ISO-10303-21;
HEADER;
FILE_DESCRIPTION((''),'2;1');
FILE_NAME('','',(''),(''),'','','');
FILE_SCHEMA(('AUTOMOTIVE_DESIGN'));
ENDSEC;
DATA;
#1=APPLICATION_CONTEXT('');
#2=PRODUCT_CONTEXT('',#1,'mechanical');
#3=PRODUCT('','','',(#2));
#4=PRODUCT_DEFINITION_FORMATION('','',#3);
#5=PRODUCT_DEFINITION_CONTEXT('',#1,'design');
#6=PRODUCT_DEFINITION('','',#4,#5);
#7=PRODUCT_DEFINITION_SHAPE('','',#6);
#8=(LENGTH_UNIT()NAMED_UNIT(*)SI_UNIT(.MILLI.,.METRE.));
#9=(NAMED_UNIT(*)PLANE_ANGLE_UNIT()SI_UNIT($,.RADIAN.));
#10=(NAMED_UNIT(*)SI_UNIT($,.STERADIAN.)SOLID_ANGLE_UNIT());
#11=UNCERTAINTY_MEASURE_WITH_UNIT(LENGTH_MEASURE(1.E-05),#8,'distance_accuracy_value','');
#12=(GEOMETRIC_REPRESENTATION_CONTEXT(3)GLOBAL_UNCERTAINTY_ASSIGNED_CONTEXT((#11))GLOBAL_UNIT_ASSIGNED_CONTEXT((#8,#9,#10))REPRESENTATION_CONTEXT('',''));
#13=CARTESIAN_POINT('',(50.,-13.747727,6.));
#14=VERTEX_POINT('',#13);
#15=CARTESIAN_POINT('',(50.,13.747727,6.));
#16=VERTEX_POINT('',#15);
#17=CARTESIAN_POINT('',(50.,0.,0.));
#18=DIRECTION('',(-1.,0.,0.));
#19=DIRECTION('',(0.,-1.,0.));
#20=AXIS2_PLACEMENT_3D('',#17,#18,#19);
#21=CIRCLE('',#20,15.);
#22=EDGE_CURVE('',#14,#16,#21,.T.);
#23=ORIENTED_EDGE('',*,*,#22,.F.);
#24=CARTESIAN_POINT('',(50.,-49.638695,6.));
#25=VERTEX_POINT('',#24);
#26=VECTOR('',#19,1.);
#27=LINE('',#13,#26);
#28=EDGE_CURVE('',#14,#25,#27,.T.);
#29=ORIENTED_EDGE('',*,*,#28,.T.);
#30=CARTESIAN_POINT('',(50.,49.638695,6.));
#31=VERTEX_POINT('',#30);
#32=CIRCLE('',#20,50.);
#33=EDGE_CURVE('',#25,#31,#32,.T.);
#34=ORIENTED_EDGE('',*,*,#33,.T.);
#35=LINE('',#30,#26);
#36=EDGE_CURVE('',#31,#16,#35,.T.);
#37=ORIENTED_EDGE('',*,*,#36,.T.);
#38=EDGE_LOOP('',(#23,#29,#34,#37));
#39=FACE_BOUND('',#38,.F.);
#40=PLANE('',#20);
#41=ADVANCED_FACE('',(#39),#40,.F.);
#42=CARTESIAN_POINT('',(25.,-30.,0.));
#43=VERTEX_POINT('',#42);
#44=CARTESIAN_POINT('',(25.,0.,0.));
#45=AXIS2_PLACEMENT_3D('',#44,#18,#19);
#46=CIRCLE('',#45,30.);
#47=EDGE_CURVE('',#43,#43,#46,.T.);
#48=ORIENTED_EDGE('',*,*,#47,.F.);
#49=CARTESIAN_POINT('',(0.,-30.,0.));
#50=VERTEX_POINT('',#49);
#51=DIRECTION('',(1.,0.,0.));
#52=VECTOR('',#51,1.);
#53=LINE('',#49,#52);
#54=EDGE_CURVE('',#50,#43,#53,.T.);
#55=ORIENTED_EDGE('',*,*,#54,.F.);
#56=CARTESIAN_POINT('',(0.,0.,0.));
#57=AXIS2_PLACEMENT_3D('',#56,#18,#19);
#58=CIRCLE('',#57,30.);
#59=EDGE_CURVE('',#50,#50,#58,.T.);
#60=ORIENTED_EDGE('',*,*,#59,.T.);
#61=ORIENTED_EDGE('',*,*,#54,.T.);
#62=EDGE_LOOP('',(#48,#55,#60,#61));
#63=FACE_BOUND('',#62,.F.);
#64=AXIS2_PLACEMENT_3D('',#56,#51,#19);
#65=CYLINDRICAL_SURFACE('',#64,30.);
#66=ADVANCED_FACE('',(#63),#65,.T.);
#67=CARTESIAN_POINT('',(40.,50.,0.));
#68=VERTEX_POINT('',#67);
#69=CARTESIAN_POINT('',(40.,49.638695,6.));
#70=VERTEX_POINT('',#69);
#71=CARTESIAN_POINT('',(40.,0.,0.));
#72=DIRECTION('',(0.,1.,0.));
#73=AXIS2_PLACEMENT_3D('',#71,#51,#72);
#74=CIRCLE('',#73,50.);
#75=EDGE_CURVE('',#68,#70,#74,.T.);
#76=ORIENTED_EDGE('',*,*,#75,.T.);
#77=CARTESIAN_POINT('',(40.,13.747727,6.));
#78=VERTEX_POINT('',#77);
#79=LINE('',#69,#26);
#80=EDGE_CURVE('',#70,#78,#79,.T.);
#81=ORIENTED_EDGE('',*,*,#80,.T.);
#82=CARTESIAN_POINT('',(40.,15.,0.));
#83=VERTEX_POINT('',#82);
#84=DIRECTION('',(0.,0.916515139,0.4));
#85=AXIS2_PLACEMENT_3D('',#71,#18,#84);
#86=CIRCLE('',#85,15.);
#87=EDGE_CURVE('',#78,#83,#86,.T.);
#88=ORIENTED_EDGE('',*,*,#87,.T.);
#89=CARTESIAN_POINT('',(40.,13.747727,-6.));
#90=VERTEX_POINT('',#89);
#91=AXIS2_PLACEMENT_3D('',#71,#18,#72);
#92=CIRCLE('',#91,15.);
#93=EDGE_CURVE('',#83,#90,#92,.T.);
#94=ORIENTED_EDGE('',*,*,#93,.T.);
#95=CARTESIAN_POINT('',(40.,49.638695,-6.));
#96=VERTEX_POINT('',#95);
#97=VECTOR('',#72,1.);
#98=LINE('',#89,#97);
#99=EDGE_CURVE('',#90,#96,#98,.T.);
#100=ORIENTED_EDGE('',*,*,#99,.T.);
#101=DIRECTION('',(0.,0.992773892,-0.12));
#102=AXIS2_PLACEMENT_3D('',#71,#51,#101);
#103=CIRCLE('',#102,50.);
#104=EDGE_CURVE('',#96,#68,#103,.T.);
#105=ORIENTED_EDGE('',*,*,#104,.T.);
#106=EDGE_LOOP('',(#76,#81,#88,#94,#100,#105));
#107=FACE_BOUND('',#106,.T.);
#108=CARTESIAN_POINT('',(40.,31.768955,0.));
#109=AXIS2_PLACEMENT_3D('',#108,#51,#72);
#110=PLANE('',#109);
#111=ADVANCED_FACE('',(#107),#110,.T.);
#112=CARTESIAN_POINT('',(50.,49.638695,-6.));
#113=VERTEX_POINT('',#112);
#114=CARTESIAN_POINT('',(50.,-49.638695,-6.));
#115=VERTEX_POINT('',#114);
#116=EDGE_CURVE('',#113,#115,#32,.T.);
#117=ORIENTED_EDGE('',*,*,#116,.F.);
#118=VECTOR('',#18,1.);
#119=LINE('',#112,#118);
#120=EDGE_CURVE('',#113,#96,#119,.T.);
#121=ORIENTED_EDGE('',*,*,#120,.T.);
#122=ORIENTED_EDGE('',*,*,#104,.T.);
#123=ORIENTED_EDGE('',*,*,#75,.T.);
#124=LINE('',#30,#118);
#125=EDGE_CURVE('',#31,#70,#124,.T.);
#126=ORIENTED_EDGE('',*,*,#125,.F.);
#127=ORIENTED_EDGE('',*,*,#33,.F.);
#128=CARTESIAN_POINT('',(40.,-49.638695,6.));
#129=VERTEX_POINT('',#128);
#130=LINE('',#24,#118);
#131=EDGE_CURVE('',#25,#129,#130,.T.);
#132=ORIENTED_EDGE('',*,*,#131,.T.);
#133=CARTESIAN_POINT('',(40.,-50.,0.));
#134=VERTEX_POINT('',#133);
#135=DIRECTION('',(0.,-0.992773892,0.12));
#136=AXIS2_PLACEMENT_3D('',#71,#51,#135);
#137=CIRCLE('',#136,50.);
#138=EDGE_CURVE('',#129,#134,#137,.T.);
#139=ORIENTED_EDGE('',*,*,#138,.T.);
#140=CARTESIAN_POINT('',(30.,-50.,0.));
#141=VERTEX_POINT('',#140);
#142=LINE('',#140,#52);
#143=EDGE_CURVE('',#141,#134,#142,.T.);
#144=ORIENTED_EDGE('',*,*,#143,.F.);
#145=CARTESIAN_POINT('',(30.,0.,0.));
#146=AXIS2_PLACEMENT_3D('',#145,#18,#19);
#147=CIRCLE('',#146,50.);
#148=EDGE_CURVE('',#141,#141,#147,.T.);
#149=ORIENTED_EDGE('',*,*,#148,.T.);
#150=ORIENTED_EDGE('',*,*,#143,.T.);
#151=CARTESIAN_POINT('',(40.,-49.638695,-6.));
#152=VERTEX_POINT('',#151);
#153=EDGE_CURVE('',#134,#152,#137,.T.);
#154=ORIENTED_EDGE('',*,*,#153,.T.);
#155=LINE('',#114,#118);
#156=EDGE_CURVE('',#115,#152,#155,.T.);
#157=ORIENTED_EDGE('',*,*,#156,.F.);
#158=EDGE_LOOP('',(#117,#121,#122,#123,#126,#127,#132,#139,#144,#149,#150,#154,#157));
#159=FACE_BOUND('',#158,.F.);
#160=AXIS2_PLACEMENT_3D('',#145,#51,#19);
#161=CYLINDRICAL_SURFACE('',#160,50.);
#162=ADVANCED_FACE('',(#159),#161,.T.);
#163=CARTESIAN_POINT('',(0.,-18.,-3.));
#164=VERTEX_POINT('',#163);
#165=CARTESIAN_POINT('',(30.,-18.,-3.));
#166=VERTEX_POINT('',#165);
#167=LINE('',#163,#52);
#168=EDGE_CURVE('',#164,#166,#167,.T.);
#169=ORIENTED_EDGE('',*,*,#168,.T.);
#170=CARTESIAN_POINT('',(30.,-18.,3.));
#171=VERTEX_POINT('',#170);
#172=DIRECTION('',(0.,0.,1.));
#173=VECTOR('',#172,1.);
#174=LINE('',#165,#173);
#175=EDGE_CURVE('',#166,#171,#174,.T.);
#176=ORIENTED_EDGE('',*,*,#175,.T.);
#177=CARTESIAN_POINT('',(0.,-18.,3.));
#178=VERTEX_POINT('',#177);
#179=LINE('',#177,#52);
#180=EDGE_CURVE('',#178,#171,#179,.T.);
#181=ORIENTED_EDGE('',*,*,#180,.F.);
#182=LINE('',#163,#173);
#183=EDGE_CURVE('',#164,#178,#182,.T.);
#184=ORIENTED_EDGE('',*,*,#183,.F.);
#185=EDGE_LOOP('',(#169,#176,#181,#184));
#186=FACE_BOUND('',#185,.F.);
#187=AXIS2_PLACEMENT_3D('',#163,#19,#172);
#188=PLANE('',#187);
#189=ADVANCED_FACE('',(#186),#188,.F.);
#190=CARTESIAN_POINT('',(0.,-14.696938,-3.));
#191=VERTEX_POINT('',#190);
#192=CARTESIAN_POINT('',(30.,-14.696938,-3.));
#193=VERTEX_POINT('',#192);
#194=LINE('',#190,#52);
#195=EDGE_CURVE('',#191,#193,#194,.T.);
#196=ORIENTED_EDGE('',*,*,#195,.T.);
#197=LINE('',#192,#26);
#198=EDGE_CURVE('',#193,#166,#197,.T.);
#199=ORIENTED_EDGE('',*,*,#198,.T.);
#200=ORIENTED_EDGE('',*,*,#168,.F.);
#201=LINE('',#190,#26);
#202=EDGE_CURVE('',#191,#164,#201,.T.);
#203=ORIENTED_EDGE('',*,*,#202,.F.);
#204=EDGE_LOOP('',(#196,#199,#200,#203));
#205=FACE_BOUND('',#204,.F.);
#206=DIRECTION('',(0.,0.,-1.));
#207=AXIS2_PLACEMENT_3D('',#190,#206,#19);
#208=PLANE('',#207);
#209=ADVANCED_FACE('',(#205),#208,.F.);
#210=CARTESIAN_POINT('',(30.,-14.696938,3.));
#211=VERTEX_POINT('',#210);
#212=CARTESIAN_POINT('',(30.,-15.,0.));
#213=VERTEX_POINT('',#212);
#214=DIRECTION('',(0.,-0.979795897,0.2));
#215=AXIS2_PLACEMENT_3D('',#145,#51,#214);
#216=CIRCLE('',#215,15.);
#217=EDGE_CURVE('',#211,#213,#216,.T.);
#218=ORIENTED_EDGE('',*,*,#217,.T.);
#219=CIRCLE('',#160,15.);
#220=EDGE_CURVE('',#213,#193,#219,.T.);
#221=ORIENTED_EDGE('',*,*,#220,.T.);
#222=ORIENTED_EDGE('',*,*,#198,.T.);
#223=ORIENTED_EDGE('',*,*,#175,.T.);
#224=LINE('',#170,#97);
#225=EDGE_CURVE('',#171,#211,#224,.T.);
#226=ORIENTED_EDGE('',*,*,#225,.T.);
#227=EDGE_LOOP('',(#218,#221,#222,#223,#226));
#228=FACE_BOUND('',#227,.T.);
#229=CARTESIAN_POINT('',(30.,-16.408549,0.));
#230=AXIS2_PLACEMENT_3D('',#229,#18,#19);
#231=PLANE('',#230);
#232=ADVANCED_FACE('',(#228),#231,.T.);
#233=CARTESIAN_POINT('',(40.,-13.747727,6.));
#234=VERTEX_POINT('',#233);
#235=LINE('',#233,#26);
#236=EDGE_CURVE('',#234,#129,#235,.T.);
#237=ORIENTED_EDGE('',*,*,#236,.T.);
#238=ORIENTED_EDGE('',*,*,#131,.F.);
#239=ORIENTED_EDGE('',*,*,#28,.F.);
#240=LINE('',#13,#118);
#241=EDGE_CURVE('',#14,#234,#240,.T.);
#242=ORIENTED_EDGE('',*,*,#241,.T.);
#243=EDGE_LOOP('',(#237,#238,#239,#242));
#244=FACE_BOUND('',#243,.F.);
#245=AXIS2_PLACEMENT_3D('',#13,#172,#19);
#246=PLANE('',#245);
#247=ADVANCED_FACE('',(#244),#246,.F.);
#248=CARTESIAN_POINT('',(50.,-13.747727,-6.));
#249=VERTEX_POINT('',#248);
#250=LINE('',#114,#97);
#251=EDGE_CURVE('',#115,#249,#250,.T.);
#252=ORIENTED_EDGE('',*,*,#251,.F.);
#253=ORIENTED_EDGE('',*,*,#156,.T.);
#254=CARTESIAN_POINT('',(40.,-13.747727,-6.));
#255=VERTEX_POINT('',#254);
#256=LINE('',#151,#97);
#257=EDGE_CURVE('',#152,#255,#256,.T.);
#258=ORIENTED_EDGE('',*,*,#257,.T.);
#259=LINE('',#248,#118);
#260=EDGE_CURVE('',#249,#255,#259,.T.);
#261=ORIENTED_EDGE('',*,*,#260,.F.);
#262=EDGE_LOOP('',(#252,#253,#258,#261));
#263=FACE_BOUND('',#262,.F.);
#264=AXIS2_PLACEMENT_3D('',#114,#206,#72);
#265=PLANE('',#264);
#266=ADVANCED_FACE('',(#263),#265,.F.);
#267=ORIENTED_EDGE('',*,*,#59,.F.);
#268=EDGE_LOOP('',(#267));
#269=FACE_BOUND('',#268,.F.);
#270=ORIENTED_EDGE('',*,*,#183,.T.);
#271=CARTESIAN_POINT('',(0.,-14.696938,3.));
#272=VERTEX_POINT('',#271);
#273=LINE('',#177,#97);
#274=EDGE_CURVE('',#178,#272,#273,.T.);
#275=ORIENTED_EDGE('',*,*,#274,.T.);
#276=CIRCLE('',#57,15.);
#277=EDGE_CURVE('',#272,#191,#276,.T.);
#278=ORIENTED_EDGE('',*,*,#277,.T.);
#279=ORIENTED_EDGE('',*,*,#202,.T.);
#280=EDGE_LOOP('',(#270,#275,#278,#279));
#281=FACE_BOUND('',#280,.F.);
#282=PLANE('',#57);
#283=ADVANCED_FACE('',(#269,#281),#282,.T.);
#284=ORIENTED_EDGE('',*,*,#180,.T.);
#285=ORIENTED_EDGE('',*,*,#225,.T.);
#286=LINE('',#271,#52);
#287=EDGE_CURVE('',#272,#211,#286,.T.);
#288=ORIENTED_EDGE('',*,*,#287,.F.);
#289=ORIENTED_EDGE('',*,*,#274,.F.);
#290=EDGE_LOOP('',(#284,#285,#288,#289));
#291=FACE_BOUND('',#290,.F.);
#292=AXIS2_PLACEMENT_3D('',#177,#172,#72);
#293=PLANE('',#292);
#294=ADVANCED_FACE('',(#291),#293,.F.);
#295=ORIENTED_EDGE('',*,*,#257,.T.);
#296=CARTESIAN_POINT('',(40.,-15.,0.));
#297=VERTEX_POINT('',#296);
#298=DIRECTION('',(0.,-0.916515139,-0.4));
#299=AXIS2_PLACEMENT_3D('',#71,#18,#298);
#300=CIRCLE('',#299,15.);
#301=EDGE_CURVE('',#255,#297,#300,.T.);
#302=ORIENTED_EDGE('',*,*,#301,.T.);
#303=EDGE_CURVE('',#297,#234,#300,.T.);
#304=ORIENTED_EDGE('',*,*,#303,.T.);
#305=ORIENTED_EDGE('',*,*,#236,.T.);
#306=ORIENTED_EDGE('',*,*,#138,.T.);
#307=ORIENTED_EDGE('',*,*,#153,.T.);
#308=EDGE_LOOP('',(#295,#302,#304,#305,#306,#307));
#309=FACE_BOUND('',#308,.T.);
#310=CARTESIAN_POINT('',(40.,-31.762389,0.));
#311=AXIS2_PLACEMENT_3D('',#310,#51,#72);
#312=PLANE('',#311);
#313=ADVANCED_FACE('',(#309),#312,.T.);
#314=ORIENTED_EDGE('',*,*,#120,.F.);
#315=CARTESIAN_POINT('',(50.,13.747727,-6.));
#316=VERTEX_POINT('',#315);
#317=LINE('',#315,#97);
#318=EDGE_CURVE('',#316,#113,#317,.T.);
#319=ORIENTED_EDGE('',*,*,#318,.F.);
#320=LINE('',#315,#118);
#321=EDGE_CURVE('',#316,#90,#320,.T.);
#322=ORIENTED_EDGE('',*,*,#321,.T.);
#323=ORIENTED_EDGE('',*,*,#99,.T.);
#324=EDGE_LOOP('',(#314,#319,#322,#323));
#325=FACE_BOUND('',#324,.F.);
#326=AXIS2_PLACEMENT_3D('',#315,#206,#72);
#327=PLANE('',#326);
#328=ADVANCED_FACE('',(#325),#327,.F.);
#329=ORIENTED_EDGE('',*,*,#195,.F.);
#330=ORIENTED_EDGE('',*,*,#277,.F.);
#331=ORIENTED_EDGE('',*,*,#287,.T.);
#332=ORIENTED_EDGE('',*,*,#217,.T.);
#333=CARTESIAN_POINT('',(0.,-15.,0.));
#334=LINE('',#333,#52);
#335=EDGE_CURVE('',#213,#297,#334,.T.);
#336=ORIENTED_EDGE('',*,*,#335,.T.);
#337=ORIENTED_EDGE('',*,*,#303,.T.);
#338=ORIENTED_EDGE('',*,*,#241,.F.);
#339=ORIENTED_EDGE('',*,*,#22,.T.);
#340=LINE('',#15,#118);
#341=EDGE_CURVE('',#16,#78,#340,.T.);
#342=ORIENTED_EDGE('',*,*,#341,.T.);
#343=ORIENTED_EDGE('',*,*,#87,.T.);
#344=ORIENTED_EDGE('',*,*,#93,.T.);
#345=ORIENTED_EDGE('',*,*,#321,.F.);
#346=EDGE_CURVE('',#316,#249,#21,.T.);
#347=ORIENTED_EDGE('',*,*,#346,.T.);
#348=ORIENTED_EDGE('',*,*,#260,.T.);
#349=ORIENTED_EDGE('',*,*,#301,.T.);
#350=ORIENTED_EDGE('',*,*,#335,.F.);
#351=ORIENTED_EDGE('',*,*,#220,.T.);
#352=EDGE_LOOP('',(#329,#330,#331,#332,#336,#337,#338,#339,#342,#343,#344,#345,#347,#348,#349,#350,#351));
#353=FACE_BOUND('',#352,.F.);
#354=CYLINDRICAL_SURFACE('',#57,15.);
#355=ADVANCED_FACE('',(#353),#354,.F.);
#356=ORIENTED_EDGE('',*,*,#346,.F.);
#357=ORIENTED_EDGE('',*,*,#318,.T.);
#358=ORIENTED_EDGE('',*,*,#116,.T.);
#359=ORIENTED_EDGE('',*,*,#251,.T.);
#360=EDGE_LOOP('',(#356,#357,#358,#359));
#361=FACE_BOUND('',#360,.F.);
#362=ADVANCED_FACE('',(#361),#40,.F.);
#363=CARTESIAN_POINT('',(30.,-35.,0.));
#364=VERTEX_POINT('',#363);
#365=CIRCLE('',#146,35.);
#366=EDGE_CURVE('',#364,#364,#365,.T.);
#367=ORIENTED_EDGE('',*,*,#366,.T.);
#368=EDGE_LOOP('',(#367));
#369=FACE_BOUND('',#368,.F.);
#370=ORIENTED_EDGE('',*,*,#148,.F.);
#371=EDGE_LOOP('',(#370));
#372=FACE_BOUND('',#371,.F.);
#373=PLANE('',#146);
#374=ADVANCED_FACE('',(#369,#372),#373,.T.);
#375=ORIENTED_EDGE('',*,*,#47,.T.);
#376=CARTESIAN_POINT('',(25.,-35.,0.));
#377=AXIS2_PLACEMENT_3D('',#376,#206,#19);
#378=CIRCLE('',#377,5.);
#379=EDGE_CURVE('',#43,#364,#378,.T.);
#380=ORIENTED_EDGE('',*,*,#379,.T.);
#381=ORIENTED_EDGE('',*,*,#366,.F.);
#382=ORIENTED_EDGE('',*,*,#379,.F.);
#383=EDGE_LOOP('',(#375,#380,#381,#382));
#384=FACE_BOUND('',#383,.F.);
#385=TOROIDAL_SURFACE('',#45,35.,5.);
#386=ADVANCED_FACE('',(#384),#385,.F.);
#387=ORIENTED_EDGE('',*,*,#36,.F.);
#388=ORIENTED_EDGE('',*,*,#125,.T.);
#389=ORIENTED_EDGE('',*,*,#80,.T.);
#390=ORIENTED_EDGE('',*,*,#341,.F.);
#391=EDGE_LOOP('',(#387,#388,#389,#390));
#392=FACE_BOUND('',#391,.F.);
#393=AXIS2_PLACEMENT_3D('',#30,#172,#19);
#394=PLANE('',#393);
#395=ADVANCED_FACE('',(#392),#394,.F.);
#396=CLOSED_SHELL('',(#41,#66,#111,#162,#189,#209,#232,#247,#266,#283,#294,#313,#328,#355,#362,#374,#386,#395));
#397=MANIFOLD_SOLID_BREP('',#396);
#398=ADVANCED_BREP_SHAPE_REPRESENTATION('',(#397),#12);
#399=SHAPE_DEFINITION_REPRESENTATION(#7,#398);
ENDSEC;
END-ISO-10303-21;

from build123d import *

# Parameters (mm, degrees)
F2_R     = 15
F3_DEPTH = 50.001
F5_DEPTH = 30
F7_DEPTH = 10
F8_R     = 5


with BuildPart() as f1:
    # F0 (on Top) → F1 (revolve)
    with BuildSketch(Plane.XY):
        Polygon((40, 0), (0, 0), (0, -15), (50, -15), (50, -6), (40, -6), align=None)
        Polygon((50, -15), (0, -15), (0, -30), (30, -30), (30, -50), (50, -50), align=None)
    revolve(axis=Axis((20, 0, 0), (-1, 0, 0)))

    # F2 (on face) → F3 (cut, through all)
    with BuildSketch(Plane(origin=(0, 0, 0), x_dir=(0, -1, 0), z_dir=(-1, 0, 0))):
        Circle(F2_R)
    extrude(amount=-F3_DEPTH, mode=Mode.SUBTRACT)

    # F4 (on face) → F5 (cut, through all)
    with BuildSketch(Plane(origin=(0, 0, 0), x_dir=(0, -1, 0), z_dir=(-1, 0, 0))):
        with BuildLine():
            Line((14.6969384567, -3), (18, -3))
            Line((18, -3), (18, 3))
            Line((18, 3), (14.6969384567, 3))
            ThreePointArc((14.6969384567, 3), (14.9240422951, 1.5076344301), (15, 0))
            ThreePointArc((15, 0), (14.9240422951, -1.5076344301), (14.6969384567, -3))
        make_face()
    extrude(amount=-F5_DEPTH, mode=Mode.SUBTRACT)

    # F6 (on face) → F7 (cut)
    with BuildSketch(Plane.YZ.offset(50)):
        with BuildLine():
            ThreePointArc((-49.638694584, 6), (-50, 0), (-49.638694584, -6))
            Line((-49.638694584, -6), (-13.7477270849, -6))
            ThreePointArc((-13.7477270849, -6), (-15, 0), (-13.7477270849, 6))
            Line((-13.7477270849, 6), (-49.638694584, 6))
        make_face()
        with BuildLine():
            Line((13.7477270849, -6), (49.638694584, -6))
            ThreePointArc((49.638694584, -6), (49.9095919098, -3.0054343115), (50, 0))
            ThreePointArc((50, 0), (49.9095919098, 3.0054343115), (49.638694584, 6))
            Line((49.638694584, 6), (13.7477270849, 6))
            ThreePointArc((13.7477270849, 6), (14.683594694, 3.0646446553), (15, 0))
            ThreePointArc((15, 0), (14.683594694, -3.0646446553), (13.7477270849, -6))
        make_face()
    extrude(amount=-F7_DEPTH, mode=Mode.SUBTRACT)

    # F8
    f8_edges = [f1.edges().sort_by_distance(p)[0] for p in [
        (30, 30, 0),
    ]]
    fillet(f8_edges, radius=F8_R)


solid = f1.part
